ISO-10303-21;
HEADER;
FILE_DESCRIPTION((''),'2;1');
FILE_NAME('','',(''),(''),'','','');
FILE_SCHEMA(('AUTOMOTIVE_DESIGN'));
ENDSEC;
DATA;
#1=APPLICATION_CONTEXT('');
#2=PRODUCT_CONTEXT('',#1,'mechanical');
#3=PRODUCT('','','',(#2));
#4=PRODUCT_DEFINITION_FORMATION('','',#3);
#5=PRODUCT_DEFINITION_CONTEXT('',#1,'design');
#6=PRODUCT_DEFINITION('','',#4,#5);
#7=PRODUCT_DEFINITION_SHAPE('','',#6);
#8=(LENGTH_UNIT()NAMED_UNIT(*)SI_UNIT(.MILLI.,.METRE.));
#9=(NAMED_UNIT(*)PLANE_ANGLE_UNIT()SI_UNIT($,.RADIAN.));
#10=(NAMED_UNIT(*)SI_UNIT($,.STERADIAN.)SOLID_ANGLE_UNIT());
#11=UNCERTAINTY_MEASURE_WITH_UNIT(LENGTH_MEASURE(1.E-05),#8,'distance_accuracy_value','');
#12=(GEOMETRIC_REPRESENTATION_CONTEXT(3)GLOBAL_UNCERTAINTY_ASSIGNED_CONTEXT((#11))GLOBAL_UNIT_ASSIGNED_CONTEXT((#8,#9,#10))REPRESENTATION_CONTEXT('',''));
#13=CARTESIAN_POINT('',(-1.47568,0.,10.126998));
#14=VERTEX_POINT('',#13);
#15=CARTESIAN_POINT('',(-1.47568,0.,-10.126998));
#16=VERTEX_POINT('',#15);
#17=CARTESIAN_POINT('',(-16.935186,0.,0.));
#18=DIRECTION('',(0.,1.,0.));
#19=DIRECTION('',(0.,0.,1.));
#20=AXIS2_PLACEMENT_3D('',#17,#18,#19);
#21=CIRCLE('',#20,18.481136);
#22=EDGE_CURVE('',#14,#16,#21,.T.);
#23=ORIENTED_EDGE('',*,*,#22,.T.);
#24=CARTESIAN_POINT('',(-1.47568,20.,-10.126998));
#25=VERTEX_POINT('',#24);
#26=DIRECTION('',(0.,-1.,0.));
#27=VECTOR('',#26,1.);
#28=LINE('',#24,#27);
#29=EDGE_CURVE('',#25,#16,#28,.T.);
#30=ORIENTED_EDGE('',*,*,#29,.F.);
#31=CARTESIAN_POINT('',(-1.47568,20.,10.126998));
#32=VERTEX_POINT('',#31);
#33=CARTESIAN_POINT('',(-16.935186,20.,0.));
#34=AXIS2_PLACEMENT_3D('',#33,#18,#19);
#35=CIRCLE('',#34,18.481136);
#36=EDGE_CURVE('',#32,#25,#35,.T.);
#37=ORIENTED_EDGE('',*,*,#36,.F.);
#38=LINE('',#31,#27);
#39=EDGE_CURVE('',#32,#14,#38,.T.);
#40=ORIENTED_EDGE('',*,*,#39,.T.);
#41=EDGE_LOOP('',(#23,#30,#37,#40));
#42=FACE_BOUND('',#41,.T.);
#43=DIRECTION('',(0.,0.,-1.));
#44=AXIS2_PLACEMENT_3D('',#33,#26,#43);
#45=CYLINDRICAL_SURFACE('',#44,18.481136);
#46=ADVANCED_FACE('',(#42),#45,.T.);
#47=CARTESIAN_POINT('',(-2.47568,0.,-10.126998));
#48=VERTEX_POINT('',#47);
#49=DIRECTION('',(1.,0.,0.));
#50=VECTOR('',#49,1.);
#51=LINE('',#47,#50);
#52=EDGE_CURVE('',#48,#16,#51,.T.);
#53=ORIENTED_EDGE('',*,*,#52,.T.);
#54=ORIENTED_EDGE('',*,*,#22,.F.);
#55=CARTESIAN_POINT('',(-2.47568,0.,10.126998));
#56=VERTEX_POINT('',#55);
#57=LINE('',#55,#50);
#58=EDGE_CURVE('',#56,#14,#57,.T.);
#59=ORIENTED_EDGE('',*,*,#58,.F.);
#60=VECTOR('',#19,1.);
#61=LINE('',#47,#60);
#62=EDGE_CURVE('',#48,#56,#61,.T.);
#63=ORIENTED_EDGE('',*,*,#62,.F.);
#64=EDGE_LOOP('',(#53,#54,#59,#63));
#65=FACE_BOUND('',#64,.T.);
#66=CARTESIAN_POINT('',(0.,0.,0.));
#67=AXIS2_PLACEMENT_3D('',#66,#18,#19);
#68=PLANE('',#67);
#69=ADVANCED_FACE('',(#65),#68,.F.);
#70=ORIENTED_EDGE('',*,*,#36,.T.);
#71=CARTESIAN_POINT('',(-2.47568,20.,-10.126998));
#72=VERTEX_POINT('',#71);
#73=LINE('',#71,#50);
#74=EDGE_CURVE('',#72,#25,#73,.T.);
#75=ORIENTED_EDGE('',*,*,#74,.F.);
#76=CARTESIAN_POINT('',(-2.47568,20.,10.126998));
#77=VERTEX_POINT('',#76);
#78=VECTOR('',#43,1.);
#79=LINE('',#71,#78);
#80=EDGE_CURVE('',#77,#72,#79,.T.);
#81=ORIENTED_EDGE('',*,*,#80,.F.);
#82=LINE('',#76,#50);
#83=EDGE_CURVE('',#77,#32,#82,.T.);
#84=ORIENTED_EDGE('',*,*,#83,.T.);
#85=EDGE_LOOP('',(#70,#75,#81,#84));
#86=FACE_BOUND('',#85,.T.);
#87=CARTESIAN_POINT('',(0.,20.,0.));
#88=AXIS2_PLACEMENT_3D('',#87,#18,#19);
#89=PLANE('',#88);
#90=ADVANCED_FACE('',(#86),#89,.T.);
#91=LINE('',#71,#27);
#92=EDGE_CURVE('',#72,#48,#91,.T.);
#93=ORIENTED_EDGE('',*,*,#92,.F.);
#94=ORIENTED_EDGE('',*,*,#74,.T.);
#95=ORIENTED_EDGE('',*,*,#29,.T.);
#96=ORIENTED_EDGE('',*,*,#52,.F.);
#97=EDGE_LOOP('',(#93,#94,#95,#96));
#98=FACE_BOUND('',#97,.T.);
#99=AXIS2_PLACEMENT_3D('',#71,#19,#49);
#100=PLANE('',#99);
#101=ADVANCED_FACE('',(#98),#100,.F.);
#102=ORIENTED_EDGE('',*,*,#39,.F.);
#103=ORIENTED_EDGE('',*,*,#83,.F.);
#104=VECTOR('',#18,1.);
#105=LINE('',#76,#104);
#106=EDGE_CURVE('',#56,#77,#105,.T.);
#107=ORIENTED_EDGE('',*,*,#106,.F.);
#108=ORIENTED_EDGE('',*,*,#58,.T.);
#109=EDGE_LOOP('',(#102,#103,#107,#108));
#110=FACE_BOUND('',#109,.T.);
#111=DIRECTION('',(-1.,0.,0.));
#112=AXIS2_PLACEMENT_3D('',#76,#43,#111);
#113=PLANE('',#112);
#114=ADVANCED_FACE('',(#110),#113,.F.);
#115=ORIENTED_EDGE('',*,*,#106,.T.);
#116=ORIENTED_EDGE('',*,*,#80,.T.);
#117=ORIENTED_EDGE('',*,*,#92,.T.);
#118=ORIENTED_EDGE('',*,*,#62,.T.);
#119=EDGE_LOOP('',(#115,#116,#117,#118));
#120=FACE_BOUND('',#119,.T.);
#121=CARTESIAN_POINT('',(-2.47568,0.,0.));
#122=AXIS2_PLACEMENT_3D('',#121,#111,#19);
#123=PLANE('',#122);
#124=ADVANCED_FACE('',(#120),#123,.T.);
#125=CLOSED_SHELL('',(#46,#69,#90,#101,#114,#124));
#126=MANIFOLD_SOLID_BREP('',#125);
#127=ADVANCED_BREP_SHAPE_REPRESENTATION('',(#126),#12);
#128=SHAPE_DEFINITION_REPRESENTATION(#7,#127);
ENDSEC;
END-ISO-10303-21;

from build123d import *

# Parameters (mm, degrees)
EXTRUDE_1_DEPTH = 20
SKETCH_2_W      = 20.253995302
SKETCH_2_H      = 20
EXTRUDE_2_DEPTH = 1


with BuildPart() as part:
    # 草图1 → 凸台-拉伸1 (new body)
    with BuildSketch(Plane(origin=(0, 0, 0), x_dir=(1, 0, 0), z_dir=(0, 1, 0))):
        with BuildLine():
            ThreePointArc((1.545950546, 0), (0.774439181, 5.28408774), (-1.475680066, 10.126997651))
            Line((-1.475680066, 10.126997651), (-1.475680066, -10.126997651))
            ThreePointArc((-1.475680066, -10.126997651), (0.774439181, -5.28408774), (1.545950546, 0))
        make_face()
    extrude(amount=EXTRUDE_1_DEPTH)

    # 草图2 → 凸台-拉伸2 (add)
    with BuildSketch(Plane.ZY.offset(1.475680066)):
        with Locations((0, 10)):
            Rectangle(SKETCH_2_W, SKETCH_2_H)
    extrude(amount=EXTRUDE_2_DEPTH)


solid = part.part
